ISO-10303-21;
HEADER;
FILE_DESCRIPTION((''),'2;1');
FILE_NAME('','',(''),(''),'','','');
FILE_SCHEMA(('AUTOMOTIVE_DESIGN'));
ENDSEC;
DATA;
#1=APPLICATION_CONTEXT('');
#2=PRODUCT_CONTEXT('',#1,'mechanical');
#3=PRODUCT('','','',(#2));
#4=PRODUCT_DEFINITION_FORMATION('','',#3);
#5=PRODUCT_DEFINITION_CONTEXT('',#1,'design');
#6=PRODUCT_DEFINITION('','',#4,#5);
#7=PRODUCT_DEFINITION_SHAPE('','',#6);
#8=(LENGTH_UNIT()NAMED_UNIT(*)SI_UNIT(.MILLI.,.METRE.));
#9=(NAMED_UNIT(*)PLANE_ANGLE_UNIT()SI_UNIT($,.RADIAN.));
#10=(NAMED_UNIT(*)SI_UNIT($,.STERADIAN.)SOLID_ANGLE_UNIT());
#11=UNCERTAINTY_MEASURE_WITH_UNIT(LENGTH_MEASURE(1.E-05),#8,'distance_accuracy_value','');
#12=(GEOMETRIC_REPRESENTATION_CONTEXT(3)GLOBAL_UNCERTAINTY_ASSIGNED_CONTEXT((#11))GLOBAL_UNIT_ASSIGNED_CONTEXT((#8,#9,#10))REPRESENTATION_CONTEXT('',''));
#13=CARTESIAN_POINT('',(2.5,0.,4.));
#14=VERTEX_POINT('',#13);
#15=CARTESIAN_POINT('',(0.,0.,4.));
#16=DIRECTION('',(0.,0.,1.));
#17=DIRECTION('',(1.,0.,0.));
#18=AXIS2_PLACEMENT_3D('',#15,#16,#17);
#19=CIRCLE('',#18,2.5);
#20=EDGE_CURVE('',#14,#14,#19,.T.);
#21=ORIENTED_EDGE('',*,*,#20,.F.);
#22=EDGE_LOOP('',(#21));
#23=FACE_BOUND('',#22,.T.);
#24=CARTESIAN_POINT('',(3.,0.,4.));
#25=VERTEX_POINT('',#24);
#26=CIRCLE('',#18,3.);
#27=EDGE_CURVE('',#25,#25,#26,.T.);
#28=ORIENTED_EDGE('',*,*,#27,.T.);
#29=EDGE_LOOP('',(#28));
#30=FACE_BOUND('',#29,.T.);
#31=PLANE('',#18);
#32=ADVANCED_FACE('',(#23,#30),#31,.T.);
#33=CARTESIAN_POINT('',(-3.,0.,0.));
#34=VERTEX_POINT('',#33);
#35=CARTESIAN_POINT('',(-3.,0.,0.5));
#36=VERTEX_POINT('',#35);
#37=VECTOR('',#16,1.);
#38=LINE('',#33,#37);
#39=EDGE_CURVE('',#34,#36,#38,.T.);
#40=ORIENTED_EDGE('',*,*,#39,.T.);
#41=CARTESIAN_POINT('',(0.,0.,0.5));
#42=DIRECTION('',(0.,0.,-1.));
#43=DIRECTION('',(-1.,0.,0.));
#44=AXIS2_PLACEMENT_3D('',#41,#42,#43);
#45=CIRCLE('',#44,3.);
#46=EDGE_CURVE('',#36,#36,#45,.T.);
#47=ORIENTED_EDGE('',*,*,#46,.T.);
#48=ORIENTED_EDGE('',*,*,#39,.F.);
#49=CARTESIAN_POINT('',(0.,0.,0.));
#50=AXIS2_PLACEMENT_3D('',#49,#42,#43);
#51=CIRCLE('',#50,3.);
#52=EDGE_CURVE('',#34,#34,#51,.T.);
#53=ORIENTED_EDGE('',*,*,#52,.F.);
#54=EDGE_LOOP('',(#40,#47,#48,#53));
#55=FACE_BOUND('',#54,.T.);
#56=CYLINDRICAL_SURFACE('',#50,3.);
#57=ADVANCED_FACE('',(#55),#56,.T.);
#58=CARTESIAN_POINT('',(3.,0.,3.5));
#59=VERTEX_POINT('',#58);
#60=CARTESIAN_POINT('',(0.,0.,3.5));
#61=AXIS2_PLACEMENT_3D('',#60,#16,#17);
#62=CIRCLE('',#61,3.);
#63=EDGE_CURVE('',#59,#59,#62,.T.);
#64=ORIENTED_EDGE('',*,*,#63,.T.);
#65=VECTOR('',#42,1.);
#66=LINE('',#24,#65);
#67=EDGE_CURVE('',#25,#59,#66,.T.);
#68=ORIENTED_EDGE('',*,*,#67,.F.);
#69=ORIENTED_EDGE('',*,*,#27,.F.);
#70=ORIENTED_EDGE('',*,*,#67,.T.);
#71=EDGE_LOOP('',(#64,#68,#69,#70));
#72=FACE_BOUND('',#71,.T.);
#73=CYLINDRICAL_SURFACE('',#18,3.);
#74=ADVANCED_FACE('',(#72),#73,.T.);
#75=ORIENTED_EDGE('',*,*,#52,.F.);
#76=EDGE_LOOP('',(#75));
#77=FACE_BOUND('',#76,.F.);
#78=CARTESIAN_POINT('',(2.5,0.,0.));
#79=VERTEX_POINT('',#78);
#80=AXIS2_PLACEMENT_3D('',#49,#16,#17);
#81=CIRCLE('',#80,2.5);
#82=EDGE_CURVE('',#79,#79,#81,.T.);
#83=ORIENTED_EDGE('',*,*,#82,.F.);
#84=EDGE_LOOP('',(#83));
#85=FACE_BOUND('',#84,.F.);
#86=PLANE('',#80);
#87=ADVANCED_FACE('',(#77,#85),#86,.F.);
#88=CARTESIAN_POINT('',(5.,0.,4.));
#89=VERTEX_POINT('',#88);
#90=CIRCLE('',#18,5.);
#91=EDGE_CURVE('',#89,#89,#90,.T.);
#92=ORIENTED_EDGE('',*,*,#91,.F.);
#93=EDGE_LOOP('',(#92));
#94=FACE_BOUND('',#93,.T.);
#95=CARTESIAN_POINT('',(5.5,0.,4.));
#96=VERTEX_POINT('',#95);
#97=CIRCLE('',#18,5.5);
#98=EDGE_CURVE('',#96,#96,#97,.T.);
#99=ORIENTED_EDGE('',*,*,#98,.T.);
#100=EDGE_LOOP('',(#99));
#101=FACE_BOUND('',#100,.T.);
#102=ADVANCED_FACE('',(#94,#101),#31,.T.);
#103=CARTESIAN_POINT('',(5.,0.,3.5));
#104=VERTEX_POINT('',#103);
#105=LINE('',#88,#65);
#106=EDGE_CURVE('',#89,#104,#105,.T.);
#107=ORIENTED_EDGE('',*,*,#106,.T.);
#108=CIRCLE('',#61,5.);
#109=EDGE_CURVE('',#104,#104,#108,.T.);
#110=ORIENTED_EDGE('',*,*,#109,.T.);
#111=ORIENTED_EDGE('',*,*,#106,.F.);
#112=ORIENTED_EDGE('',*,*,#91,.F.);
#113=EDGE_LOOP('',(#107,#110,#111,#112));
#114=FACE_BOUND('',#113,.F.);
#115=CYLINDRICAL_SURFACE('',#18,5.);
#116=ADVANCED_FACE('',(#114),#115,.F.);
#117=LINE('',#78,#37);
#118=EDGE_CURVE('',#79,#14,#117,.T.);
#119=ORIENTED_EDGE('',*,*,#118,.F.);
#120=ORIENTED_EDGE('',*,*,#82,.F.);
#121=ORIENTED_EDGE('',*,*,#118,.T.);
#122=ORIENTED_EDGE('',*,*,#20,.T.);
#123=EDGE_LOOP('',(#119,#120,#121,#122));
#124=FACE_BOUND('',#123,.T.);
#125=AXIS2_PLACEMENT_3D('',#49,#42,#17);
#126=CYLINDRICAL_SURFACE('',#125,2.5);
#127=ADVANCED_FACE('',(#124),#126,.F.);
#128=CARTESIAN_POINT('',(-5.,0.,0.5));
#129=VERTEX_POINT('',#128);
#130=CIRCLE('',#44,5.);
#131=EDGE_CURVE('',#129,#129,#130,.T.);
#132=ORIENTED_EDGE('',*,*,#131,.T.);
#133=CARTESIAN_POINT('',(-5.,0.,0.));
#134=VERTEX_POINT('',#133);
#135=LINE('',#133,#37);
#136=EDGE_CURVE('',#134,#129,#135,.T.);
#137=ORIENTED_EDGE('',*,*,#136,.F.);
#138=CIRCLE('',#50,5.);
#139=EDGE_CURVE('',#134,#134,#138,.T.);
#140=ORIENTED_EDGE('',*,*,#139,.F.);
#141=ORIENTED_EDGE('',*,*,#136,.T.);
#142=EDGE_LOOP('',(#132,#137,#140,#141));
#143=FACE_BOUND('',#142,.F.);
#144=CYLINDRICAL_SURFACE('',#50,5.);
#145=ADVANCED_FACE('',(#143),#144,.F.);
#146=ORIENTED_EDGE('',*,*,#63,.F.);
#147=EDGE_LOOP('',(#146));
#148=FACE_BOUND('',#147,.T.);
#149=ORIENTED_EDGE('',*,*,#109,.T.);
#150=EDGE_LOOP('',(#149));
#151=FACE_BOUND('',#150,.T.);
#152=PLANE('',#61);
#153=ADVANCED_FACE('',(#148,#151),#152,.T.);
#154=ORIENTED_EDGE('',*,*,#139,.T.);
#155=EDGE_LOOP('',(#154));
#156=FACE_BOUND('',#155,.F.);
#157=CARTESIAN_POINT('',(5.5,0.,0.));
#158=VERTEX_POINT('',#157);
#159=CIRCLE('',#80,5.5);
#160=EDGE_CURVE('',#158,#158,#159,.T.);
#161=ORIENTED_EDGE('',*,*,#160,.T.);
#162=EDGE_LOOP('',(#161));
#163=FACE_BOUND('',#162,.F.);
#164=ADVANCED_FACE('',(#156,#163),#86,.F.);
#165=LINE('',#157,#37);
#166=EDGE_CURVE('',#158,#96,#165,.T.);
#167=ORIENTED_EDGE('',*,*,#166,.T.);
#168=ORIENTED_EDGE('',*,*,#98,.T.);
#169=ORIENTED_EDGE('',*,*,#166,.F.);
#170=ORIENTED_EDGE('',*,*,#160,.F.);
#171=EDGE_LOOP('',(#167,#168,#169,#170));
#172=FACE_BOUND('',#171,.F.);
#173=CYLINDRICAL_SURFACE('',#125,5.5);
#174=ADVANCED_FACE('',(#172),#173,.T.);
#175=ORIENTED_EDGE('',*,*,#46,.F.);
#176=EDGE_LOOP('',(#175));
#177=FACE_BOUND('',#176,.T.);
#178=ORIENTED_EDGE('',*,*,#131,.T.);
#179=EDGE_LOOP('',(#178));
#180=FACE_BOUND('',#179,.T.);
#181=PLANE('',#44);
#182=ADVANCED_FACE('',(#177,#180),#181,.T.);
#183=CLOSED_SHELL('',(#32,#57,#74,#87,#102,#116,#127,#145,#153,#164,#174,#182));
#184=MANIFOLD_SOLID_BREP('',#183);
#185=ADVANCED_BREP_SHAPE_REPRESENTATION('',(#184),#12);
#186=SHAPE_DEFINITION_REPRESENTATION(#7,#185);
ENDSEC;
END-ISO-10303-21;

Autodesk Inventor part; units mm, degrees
ref_plane "YZ Plane" through (0, 0, 0) normal (1, 0, 0) x (0, 1, 0)
ref_plane "XZ Plane" through (0, 0, 0) normal (0, 1, 0) x (-1, 0, 0)
ref_plane "XY Plane" through (0, 0, 0) normal (0, 0, 1) x (1, 0, 0)
sketch "Sketch1" plane through (0, 0, 0) normal (0, 0, 1) x (1, 0, 0)
  circle A0 centre (0, 0) radius 5.5
  circle A1 centre (0, 0) radius 2.5
  dimension "d0" = 11
  dimension "d1" = 5
extrude "Extrusion1" add sketch "Sketch1" along normal blind 4
sketch "Sketch2" plane through (0, 0, 4) normal (0, 0, 1) x (1, 0, 0)
  circle A0 centre (0, 0) radius 3
  circle A1 centre (0, 0) radius 5
  circle A2 centre (0, 0) radius 5.5 projected
  circle A3 centre (0, 0) radius 2.5 projected
  dimension "d4" = 0.5
  dimension "d5" = 0.5
extrude "Extrusion2" cut sketch "Sketch2" against normal blind 0.5 contours A1
sketch "Sketch4" plane through (0, 0, 0) normal (0, 0, -1) x (-1, 0, 0)
  circle A0 centre (0, 0) radius 3
  circle A1 centre (0, 0) radius 5
extrude "Extrusion3" cut sketch "Sketch4" against normal blind 0.5
properties part number "bearing 1" material "Steel, Galvanized"
